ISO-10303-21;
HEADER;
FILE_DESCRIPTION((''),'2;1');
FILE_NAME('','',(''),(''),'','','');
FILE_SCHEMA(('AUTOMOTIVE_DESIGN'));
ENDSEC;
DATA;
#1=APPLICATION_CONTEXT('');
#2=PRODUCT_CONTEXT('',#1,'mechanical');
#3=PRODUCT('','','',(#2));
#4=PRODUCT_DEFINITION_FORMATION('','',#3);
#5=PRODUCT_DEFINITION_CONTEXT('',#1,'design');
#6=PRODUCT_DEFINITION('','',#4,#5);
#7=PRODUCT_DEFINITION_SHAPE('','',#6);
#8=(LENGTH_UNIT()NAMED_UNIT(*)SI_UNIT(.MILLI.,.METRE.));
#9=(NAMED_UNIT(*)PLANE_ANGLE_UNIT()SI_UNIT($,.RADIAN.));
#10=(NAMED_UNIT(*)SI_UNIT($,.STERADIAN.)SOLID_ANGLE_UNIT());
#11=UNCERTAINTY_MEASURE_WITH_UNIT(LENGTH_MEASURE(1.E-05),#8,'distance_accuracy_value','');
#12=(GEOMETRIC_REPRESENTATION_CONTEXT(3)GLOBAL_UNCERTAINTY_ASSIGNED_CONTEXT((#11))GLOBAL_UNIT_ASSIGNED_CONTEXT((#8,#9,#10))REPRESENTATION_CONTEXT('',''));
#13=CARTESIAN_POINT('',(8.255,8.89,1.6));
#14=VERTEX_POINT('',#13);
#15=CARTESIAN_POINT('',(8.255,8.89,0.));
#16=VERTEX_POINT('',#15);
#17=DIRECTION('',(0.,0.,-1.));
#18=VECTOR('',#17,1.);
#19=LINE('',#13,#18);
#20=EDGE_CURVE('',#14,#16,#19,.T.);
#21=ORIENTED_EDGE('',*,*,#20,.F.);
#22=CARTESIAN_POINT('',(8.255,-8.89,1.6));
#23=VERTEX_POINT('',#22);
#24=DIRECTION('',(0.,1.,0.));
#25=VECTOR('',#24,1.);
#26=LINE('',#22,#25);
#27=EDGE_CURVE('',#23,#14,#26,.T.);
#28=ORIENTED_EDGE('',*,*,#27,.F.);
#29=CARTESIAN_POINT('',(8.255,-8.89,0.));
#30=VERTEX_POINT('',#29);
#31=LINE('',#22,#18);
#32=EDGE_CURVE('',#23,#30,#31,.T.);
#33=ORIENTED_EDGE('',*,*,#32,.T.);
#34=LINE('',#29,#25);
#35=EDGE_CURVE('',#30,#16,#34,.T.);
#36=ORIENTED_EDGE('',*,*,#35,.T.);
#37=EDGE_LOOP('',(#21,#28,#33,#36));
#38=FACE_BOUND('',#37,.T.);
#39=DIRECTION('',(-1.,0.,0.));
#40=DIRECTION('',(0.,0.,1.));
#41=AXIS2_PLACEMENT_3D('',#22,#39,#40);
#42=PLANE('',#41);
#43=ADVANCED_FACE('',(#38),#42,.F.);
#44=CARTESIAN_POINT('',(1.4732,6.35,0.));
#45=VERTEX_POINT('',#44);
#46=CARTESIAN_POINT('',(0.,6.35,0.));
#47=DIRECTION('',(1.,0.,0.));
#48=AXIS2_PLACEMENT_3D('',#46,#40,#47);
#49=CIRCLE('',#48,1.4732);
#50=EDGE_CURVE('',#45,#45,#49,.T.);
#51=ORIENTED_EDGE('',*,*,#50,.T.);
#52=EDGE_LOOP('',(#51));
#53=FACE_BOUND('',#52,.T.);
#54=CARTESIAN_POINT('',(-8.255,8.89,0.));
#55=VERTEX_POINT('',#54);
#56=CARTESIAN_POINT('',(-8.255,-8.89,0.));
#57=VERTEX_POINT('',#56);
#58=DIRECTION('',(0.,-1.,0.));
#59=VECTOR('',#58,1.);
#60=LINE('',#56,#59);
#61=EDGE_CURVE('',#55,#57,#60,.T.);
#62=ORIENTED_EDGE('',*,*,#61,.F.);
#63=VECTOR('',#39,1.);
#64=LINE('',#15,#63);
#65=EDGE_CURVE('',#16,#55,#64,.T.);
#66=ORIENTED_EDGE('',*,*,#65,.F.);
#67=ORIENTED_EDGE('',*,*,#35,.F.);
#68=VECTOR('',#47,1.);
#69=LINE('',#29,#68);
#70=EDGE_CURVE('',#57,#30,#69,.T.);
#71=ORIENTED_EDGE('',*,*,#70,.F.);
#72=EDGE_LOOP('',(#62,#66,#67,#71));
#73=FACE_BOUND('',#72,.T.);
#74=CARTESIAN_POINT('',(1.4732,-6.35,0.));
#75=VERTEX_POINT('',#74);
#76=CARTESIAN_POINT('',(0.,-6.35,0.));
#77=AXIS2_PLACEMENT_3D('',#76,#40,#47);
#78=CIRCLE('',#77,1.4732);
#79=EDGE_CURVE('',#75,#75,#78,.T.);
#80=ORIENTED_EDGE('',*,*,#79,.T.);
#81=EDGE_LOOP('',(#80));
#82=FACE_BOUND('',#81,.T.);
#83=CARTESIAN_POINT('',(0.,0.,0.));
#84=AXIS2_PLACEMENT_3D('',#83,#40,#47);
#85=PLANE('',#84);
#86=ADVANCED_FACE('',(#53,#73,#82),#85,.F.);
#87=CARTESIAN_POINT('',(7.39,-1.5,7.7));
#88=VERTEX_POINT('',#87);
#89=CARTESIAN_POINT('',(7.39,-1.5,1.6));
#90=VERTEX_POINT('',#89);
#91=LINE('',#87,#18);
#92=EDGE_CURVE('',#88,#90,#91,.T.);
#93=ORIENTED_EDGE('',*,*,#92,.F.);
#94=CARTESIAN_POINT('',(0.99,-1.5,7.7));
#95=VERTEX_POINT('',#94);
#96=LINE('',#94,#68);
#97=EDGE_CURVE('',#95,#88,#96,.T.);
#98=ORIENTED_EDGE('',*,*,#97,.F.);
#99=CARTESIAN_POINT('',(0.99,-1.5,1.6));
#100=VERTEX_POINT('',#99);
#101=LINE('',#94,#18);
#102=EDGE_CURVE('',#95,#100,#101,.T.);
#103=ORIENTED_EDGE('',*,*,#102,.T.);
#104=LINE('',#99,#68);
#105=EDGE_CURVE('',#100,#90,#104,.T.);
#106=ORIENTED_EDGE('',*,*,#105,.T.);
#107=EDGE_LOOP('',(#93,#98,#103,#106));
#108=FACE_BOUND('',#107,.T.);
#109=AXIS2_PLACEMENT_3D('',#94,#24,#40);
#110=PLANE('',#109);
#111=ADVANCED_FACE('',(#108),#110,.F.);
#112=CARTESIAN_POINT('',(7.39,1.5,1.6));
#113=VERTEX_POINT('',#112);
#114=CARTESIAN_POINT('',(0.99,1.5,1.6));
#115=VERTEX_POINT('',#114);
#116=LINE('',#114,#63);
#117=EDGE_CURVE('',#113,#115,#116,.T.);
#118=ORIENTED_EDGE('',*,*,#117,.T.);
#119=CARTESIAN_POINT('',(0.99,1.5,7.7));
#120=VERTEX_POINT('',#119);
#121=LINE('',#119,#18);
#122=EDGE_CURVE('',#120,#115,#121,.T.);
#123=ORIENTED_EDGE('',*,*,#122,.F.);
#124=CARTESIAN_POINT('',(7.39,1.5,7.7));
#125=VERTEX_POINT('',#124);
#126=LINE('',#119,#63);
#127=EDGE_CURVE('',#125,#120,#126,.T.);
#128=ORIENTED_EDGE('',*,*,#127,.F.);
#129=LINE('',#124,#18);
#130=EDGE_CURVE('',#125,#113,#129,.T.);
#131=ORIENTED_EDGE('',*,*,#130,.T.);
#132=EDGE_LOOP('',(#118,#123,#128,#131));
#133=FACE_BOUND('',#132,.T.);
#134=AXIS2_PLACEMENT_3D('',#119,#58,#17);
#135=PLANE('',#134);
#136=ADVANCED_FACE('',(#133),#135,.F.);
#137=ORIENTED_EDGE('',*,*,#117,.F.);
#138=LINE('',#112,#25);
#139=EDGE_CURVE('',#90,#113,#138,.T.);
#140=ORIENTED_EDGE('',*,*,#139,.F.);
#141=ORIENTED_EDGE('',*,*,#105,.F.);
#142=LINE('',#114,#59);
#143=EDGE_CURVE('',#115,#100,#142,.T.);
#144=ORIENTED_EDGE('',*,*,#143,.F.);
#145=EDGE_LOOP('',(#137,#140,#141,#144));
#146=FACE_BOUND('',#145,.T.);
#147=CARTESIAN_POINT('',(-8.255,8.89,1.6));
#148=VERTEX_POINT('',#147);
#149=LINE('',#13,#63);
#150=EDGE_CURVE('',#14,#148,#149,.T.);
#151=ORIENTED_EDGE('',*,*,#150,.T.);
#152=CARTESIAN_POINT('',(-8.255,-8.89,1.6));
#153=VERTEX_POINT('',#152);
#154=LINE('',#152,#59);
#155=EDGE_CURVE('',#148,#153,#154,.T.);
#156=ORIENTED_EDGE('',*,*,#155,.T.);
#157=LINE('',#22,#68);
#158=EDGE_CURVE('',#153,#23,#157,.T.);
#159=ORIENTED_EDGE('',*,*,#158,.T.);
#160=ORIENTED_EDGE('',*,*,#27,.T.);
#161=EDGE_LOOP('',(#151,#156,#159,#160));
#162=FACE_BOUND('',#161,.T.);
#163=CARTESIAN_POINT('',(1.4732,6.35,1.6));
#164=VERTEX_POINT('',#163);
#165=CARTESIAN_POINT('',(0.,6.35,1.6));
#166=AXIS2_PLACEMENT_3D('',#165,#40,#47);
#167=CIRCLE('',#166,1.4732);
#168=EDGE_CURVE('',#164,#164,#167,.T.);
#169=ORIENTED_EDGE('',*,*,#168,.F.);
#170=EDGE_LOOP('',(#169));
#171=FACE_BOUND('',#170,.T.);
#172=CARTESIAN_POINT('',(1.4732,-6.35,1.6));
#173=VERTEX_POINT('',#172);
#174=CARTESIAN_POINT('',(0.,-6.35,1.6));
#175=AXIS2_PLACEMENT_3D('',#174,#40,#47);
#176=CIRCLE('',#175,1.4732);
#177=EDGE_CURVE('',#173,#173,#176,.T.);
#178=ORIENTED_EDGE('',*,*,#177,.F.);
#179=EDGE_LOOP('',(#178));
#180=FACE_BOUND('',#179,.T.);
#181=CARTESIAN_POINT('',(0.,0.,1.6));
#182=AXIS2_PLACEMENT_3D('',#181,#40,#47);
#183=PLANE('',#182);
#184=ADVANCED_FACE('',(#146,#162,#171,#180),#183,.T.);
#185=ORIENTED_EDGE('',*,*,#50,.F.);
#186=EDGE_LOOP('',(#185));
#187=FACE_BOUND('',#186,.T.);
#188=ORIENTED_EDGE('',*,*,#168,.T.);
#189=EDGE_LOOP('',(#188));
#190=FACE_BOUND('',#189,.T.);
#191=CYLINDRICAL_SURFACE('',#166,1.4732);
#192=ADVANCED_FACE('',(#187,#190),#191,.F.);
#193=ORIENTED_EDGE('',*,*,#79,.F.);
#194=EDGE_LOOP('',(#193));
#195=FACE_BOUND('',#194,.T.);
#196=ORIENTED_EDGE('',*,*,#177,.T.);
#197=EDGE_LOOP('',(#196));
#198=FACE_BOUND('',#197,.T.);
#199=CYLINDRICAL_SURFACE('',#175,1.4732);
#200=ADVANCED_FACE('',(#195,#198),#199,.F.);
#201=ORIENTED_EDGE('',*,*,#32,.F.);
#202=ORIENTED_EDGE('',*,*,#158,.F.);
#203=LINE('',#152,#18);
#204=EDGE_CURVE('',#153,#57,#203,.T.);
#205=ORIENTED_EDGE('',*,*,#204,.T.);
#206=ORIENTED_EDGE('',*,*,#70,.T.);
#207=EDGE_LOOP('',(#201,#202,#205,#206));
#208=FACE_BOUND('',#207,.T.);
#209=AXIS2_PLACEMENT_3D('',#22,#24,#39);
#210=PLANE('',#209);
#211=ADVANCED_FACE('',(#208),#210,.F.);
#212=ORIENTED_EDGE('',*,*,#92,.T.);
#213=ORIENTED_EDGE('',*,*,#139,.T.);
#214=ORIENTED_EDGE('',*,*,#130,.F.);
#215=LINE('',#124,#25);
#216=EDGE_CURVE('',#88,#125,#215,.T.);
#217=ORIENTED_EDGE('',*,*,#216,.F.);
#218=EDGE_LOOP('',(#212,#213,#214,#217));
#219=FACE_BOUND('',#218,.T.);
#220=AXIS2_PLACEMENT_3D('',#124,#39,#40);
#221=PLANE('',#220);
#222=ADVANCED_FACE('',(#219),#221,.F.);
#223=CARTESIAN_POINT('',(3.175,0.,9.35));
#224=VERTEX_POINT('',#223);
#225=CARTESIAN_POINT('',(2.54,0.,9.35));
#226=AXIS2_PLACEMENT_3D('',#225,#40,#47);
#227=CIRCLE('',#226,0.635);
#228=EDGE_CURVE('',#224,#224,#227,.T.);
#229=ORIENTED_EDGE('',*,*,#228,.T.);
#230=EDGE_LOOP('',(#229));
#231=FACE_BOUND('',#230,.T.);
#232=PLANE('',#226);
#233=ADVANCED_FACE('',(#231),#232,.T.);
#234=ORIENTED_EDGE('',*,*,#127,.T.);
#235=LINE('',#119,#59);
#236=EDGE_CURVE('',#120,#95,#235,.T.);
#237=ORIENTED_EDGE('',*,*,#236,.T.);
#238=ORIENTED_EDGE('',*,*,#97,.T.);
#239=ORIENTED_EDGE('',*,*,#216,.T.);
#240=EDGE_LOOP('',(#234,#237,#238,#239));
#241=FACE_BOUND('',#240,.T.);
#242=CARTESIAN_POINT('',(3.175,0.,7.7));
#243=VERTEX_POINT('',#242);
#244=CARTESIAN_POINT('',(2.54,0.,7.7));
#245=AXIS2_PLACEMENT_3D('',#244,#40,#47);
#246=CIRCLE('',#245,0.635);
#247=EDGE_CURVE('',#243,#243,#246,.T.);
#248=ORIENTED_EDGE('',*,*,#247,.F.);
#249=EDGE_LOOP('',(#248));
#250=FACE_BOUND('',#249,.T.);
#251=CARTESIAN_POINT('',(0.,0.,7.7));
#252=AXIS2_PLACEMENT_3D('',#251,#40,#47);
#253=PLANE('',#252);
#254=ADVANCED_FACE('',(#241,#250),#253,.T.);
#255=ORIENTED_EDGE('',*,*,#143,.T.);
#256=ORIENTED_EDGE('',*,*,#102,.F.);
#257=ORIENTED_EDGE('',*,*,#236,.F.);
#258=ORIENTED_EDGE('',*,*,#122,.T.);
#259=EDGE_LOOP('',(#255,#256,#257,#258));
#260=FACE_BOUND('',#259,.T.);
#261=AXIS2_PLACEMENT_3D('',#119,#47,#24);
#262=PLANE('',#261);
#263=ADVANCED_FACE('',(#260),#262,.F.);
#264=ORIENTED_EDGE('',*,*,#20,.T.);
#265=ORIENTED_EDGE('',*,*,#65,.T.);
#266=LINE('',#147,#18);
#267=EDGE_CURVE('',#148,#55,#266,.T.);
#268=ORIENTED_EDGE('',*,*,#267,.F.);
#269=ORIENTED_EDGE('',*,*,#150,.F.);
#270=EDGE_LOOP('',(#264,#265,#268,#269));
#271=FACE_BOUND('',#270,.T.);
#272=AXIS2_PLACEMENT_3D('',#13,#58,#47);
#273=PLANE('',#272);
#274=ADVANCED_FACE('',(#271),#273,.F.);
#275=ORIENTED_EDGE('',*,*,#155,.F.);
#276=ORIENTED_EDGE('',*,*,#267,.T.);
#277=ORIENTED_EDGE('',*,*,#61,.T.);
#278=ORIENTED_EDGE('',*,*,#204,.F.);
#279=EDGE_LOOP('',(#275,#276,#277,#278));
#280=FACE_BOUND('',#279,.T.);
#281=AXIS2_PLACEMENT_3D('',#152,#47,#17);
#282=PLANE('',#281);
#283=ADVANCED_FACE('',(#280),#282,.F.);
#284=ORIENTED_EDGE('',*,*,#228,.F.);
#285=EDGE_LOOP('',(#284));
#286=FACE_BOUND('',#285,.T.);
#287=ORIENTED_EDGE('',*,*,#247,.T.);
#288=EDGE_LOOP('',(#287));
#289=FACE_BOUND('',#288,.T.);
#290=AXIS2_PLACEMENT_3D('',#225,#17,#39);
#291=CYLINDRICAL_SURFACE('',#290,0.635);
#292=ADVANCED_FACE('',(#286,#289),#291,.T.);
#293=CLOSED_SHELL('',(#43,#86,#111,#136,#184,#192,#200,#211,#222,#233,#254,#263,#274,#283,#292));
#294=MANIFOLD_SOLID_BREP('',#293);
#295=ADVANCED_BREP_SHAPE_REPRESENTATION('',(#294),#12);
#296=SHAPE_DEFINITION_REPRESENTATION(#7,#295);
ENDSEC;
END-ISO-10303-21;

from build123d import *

# Parameters (mm, degrees)
SKETCH1_W                 = 16.51
SKETCH1_H                 = 17.78
BOSS_EXTRUDE1_DEPTH       = 1.6
F_4_CLEARANCE_HOLE1_D     = 2.9464
F_4_CLEARANCE_HOLE1_DEPTH = 6.35
F_4_CLEARANCE_HOLE1_TIP   = 0.885187864
SKETCH4_W                 = 6.4
SKETCH4_H                 = 3
BOSS_EXTRUDE2_DEPTH       = 6.1
SKETCH5_R                 = 0.635
BOSS_EXTRUDE3_DEPTH       = 1.65


with BuildPart() as part:
    # Sketch1 → Boss-Extrude1 (new body)
    with BuildSketch(Plane.XY):
        Rectangle(SKETCH1_W, SKETCH1_H)
    extrude(amount=BOSS_EXTRUDE1_DEPTH)

    # #4 Clearance Hole1
    with Locations(Plane(origin=(0, 6.35, 1.6), x_dir=(1, 0, 0), z_dir=(0, 0, 1))):
        with Locations((0, 0), (0, -12.7)):
            Hole(F_4_CLEARANCE_HOLE1_D / 2, depth=F_4_CLEARANCE_HOLE1_DEPTH)
            with Locations((0, 0, -(F_4_CLEARANCE_HOLE1_DEPTH + F_4_CLEARANCE_HOLE1_TIP / 2))):  # 118° drill point
                Cone(0, F_4_CLEARANCE_HOLE1_D / 2, F_4_CLEARANCE_HOLE1_TIP, mode=Mode.SUBTRACT)

    # Sketch4 → Boss-Extrude2 (add)
    with BuildSketch(Plane.XY.offset(1.6)):
        with Locations((4.19, 0)):
            Rectangle(SKETCH4_W, SKETCH4_H)
    extrude(amount=BOSS_EXTRUDE2_DEPTH)

    # Sketch5 → Boss-Extrude3 (add)
    with BuildSketch(Plane.XY.offset(7.7)):
        with Locations((2.54, 0)):
            Circle(SKETCH5_R)
    extrude(amount=BOSS_EXTRUDE3_DEPTH)


solid = part.part
